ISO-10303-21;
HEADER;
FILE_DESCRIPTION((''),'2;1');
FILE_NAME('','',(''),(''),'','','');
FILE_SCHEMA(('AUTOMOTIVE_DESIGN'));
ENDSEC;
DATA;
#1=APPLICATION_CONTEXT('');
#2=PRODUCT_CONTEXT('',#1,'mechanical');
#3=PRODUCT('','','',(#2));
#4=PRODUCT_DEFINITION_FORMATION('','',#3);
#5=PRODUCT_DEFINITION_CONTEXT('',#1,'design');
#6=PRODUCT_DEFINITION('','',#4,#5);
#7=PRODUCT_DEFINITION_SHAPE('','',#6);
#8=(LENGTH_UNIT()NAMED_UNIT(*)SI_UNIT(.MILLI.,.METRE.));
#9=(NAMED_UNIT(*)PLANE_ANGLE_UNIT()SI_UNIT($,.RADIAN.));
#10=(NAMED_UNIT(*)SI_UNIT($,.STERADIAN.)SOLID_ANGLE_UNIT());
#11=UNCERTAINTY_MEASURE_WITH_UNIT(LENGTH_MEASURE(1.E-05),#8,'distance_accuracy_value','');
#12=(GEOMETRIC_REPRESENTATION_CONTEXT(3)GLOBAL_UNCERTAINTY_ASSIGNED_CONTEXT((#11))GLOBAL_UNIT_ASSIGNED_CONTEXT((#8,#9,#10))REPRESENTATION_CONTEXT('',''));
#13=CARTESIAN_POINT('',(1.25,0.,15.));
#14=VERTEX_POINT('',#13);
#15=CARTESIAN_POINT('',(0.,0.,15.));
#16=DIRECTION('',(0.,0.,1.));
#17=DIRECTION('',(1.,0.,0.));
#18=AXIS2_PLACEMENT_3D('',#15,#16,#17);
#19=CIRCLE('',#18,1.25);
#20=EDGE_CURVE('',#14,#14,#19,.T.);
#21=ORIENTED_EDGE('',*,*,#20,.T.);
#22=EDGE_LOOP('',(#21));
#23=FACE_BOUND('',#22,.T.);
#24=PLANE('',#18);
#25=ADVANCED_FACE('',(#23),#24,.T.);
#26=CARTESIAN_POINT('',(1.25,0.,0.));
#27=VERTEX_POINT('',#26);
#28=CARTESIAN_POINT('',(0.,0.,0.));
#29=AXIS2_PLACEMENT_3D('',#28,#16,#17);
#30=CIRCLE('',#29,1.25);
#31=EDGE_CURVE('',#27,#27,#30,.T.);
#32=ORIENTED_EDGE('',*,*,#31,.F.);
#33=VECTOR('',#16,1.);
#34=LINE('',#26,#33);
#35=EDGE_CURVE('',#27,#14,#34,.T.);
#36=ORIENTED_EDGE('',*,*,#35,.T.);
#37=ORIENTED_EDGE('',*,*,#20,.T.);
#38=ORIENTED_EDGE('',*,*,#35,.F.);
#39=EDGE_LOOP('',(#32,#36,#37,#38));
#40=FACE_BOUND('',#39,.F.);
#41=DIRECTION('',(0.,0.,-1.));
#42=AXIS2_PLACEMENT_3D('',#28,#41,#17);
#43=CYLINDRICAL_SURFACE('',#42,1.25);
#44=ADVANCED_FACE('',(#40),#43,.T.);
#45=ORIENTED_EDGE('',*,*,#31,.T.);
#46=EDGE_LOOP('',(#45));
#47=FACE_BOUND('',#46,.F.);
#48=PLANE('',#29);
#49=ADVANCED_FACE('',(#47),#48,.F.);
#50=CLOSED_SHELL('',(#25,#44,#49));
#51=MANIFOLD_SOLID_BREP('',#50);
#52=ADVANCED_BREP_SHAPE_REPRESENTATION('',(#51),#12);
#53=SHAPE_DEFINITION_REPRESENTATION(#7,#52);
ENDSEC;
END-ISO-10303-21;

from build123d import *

# Parameters (mm, degrees)
SKETCH1_R           = 1.25
BOSS_EXTRUDE1_DEPTH = 15


with BuildPart() as part:
    # Sketch1 → Boss-Extrude1 (new body)
    with BuildSketch(Plane.XY):
        Circle(SKETCH1_R)
    extrude(amount=BOSS_EXTRUDE1_DEPTH)


solid = part.part
